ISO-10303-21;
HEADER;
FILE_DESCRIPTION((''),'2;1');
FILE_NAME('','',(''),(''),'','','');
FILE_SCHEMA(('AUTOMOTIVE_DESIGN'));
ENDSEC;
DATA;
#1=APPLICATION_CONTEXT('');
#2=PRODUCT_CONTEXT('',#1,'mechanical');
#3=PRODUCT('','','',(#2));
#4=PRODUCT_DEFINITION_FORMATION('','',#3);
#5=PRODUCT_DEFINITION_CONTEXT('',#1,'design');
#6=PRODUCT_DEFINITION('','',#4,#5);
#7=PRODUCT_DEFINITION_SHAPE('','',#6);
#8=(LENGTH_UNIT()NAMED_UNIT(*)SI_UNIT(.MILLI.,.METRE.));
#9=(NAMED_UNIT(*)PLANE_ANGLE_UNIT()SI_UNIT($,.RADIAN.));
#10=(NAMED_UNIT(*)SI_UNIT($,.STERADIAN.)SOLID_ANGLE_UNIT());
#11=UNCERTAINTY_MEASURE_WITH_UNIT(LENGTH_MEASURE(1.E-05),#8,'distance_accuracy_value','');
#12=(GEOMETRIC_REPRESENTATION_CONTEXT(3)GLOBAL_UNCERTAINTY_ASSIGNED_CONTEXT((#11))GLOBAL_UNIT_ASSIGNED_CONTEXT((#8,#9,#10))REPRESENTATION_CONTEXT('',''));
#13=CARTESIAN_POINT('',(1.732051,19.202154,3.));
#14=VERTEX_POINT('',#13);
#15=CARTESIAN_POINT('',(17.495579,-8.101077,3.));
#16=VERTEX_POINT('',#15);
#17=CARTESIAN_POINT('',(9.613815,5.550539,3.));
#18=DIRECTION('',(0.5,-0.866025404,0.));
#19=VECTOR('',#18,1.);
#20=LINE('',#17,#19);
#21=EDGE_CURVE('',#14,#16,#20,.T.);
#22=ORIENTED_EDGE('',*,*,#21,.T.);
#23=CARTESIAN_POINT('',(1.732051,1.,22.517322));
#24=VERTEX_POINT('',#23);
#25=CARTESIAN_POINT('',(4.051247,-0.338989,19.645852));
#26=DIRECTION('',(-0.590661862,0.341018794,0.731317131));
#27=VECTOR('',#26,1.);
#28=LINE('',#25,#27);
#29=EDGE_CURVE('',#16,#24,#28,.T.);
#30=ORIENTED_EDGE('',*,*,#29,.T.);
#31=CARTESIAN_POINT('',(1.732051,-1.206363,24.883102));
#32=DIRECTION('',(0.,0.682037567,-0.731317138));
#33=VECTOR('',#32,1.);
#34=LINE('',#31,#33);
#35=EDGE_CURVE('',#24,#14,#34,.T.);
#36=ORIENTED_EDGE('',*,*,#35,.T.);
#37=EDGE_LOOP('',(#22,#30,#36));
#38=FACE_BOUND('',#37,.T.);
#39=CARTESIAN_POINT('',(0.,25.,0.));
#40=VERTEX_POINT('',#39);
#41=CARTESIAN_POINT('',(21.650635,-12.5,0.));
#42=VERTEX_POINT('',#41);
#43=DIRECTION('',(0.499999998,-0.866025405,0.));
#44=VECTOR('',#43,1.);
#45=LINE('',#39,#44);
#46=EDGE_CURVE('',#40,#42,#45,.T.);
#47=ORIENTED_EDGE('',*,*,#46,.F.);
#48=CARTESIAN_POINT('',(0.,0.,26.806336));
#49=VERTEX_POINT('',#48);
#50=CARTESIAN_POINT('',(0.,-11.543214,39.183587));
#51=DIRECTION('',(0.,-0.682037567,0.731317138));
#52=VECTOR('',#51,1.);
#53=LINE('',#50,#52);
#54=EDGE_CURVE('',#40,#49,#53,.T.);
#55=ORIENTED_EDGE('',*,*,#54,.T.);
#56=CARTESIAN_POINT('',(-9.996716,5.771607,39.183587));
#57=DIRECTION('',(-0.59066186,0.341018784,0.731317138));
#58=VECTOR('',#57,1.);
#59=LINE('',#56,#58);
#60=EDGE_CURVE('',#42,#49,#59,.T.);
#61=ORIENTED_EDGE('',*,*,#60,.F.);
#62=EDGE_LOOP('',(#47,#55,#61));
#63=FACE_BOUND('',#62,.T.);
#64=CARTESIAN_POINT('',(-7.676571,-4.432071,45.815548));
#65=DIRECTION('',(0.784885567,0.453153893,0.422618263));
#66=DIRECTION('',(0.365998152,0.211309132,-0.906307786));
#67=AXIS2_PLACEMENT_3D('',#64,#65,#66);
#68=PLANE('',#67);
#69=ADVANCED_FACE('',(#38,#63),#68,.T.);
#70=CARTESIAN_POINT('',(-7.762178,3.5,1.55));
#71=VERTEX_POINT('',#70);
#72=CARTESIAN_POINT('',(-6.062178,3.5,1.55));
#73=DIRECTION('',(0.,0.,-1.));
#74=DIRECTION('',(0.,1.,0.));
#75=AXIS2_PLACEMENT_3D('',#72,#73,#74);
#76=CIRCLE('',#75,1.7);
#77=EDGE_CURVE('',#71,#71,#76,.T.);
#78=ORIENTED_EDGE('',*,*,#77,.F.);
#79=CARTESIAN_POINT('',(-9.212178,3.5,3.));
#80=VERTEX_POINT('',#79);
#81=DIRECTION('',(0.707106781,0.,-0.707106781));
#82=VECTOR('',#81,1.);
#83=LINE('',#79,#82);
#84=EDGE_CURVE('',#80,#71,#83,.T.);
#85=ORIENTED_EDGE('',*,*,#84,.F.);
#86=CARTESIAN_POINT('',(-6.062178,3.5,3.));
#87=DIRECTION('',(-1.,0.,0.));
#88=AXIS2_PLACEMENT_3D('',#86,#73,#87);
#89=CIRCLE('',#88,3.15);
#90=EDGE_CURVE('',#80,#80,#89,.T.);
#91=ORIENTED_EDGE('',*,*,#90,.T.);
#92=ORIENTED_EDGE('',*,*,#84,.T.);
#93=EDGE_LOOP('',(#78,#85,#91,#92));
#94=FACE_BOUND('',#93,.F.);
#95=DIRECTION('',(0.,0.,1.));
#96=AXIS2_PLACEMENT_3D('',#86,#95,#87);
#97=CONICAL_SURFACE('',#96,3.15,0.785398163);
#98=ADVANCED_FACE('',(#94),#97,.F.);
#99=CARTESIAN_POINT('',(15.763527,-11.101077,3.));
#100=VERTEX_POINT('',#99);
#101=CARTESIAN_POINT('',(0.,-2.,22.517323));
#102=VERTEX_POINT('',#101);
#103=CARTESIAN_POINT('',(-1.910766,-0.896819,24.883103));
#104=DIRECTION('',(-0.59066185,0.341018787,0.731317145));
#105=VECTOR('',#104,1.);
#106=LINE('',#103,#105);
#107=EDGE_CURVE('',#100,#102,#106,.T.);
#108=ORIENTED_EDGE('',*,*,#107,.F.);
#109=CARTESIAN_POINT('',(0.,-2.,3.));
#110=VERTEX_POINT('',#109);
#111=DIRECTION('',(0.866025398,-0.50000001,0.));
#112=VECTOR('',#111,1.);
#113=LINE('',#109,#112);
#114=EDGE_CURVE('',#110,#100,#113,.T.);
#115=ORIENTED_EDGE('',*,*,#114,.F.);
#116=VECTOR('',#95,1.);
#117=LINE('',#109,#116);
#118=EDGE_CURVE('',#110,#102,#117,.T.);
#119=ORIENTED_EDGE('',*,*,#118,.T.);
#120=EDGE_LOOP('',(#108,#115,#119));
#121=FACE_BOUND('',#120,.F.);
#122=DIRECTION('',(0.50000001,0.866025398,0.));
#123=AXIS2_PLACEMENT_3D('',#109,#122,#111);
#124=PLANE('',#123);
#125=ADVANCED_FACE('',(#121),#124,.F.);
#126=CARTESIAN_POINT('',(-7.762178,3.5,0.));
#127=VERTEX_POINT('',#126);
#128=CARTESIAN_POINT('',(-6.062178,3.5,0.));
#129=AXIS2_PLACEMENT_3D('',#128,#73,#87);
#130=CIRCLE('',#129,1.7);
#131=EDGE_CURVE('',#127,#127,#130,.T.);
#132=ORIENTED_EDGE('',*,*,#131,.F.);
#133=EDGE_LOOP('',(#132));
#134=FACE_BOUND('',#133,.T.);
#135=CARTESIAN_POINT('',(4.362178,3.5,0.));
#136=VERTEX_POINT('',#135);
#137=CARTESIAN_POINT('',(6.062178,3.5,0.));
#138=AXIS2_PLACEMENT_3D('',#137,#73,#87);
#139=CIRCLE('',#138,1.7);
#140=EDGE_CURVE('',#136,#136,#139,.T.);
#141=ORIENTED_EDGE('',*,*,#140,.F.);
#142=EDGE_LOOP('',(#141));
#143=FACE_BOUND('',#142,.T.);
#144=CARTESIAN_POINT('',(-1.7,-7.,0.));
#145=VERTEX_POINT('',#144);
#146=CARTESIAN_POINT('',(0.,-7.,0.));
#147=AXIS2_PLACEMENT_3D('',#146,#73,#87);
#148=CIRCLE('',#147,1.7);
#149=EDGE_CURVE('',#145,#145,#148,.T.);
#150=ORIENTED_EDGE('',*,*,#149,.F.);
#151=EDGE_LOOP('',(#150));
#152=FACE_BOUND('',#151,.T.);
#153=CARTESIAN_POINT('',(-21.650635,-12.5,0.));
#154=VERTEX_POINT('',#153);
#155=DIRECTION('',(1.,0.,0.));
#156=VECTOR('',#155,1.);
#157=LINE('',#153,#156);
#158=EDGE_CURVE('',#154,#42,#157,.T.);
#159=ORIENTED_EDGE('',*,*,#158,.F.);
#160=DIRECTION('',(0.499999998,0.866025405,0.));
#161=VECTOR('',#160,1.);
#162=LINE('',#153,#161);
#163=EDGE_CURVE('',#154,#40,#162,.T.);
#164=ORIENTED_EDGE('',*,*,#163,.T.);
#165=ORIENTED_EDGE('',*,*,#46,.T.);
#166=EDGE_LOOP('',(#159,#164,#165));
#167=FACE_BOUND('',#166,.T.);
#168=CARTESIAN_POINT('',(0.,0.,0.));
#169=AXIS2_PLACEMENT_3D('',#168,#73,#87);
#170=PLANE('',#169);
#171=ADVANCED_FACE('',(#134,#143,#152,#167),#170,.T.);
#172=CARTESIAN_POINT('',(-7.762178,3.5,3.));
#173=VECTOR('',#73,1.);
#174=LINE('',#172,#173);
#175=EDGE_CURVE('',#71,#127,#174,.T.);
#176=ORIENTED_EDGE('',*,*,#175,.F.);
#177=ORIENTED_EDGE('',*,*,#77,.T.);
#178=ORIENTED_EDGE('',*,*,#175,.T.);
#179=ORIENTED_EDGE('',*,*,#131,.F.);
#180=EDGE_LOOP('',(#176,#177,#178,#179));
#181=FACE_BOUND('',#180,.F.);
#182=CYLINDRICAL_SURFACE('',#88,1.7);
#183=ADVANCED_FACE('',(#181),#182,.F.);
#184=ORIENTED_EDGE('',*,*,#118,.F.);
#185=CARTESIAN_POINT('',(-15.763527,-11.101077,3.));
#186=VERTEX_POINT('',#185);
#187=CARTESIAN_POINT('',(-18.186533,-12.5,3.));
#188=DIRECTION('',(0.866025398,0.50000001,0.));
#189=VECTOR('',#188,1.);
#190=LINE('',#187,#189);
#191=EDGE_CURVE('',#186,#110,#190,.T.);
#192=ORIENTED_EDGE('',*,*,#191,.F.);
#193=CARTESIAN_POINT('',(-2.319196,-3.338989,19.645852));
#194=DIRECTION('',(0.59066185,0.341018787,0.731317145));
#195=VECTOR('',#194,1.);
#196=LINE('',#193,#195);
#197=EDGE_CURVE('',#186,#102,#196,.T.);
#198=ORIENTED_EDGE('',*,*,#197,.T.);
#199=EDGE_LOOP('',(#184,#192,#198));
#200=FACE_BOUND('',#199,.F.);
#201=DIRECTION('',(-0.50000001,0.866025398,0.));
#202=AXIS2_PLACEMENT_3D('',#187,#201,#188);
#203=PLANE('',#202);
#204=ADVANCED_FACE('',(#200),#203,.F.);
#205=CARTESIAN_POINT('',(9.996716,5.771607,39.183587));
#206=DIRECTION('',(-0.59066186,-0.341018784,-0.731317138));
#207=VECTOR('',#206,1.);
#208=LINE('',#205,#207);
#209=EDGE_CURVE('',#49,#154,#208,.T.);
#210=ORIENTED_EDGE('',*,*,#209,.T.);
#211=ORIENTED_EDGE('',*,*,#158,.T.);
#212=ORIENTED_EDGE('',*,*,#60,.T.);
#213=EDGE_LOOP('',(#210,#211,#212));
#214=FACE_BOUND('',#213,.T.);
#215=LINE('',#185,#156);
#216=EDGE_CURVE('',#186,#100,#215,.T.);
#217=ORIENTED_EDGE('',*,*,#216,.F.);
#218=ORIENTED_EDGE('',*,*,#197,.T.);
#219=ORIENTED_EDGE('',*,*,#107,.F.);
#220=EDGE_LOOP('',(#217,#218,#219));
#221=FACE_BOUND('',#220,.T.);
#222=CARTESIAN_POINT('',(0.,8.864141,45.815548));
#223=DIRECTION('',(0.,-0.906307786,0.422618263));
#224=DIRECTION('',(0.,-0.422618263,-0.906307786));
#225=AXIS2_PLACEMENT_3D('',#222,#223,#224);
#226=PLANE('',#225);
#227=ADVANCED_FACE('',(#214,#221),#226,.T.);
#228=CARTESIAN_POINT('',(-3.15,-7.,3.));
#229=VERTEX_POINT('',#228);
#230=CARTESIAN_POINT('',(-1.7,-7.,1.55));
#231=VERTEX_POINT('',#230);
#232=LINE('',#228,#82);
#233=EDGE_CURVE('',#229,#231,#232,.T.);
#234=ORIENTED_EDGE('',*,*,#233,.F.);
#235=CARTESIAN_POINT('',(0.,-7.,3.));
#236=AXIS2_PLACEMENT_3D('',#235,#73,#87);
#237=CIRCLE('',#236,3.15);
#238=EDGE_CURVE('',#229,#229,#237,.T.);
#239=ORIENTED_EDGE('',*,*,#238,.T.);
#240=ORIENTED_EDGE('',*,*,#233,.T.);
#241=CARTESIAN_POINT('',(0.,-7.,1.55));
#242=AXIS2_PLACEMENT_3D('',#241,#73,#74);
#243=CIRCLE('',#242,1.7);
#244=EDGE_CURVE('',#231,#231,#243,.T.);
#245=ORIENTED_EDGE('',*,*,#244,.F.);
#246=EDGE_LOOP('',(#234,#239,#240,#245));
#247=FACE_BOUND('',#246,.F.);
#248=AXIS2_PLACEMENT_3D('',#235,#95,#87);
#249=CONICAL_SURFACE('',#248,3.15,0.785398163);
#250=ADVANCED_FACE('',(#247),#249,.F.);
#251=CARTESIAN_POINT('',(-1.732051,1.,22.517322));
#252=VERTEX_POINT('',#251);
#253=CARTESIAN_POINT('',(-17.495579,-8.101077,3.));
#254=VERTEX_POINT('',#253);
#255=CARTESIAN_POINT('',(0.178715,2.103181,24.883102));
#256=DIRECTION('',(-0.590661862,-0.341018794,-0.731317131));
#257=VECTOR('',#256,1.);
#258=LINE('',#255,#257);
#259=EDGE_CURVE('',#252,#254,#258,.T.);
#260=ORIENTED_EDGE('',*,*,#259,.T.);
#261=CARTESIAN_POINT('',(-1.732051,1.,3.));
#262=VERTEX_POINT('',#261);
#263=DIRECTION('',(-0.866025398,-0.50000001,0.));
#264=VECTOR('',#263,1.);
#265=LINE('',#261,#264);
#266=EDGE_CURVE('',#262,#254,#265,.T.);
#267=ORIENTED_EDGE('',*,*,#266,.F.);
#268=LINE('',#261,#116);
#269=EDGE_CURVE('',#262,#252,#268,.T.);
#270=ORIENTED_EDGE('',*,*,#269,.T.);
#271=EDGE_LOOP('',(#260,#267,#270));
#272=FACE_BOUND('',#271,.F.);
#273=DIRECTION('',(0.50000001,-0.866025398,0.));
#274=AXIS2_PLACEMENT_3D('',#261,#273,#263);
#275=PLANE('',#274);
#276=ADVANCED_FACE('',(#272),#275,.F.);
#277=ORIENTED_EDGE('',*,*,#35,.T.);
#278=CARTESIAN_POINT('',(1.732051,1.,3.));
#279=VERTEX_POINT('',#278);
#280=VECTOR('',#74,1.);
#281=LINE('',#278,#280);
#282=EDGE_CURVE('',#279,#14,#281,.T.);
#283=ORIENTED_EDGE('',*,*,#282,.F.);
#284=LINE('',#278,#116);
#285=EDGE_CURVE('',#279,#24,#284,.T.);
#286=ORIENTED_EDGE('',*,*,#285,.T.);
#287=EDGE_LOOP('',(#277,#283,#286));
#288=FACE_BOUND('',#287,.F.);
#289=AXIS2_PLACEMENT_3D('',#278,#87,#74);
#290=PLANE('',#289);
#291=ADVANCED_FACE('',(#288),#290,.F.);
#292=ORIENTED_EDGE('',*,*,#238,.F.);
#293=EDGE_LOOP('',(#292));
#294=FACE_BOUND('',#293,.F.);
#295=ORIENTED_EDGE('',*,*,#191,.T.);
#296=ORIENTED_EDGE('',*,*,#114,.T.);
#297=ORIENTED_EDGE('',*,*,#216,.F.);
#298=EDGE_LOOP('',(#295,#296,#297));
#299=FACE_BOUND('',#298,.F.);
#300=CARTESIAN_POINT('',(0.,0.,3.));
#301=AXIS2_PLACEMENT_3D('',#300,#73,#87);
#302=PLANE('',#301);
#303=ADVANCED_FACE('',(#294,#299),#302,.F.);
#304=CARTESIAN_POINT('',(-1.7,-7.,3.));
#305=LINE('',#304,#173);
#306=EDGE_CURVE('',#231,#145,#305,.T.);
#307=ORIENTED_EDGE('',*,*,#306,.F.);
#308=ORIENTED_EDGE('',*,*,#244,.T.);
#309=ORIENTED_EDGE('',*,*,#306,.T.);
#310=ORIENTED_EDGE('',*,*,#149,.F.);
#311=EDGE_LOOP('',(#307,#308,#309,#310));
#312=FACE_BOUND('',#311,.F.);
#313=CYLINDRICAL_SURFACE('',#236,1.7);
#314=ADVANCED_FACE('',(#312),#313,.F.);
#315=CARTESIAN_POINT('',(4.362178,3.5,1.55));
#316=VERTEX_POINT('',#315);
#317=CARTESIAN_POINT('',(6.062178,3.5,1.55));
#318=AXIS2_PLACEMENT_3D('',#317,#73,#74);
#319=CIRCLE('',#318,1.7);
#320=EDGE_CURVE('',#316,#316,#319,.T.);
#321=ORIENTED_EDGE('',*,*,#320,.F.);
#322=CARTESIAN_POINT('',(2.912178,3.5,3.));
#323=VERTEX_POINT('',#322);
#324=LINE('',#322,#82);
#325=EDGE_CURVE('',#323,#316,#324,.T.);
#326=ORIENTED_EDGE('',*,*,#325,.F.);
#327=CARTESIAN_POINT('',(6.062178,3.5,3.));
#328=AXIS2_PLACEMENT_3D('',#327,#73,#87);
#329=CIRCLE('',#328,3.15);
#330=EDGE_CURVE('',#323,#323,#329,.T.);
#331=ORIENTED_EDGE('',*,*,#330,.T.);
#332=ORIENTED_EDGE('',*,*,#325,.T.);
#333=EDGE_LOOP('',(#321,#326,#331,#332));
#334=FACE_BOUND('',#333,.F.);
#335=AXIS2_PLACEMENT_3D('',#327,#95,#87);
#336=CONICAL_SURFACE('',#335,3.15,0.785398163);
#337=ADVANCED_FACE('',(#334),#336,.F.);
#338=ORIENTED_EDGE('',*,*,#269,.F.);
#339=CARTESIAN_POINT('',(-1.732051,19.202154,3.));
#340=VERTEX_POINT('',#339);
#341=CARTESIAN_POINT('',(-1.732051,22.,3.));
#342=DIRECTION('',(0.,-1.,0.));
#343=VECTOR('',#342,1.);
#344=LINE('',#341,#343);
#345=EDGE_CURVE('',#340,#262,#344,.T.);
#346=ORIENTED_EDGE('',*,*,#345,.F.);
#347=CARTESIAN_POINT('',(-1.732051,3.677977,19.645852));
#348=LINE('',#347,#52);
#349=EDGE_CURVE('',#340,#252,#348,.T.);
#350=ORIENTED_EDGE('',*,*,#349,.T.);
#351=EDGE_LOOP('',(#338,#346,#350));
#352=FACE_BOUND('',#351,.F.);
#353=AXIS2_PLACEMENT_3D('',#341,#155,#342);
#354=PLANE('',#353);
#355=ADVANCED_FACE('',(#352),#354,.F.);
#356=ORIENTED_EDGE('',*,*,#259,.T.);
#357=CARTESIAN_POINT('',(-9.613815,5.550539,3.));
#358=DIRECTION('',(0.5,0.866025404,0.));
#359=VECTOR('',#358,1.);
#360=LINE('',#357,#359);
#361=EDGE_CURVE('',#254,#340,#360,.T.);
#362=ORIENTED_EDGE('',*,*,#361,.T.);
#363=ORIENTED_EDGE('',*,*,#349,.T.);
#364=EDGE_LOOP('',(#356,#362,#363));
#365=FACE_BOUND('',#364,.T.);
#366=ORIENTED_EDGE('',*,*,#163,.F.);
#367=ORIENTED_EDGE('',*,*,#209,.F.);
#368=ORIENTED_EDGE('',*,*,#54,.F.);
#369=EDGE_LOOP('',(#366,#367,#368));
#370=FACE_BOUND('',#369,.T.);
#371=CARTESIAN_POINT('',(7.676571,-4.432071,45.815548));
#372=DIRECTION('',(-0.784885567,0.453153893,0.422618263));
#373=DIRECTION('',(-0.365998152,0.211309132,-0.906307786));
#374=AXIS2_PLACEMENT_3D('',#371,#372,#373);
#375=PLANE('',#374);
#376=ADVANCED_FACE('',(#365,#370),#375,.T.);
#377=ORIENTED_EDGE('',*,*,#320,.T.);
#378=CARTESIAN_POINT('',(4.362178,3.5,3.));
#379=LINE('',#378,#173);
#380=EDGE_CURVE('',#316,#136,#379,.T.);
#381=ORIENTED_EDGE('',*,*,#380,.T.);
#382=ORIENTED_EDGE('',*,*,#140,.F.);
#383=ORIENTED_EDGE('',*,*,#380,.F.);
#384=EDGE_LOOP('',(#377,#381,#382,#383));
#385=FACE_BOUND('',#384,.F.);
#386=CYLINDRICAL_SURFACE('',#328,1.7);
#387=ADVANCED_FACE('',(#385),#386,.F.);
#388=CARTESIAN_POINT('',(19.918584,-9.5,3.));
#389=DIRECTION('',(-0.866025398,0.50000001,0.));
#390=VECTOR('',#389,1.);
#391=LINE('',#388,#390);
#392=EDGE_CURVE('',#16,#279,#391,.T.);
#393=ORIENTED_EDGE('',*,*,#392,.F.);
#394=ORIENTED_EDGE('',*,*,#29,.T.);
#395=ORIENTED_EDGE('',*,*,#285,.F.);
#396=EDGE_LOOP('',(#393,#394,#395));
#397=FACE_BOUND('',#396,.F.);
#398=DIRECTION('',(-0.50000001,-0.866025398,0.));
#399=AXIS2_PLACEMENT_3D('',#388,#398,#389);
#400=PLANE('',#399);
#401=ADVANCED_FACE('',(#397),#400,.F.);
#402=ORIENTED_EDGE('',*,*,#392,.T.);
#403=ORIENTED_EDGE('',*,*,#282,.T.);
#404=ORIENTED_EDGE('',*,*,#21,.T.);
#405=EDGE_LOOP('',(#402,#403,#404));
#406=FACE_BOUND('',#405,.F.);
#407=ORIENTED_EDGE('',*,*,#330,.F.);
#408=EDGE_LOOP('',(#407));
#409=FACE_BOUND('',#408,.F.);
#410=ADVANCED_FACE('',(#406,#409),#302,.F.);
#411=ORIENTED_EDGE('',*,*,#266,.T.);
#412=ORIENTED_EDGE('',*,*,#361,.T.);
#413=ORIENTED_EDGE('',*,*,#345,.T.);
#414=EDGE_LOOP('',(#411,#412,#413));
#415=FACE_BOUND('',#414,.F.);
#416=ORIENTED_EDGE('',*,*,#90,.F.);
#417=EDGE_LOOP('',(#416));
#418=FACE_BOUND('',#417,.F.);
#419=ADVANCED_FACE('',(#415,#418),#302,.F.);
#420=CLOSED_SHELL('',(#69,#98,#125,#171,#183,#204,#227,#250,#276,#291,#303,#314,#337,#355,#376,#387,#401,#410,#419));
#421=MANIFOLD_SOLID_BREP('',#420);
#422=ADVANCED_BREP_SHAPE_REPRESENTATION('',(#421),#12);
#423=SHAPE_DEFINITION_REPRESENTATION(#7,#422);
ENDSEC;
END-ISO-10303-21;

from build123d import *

# Parameters (mm, degrees)
PAD_DEPTH          = 3
PAD001_DEPTH       = 30
POCKET_DEPTH       = 153.867368
POCKET_DEPTH_BACK  = 153.867368
POLARPATTERN_COUNT = 3
HOLE_D             = 3.4
HOLE_DEPTH         = 25
HOLE_CSINK_D       = 6.3
HOLE_CSINK_ANGLE   = 90


with BuildPart() as part:
    # Sketch → Pad (new body)
    with BuildSketch(Plane.XY):
        Polygon((0, 25), (21.650635, -12.5), (-21.650635, -12.5), align=None)
    extrude(amount=PAD_DEPTH)

    # Sketch001 (on Face5 of Pad) → Pad001 (join)
    with BuildSketch(Plane.XY.offset(3)):
        Polygon((-18.186533, -12.5), (0, -2), (18.186533, -12.5), (21.650635, -12.5), (19.918584, -9.5), (1.732051, 1), (1.732051, 22), (0, 25), (-1.732051, 22), (-1.732051, 1), (-19.918584, -9.5), (-21.650635, -12.5), align=None)
    extrude(amount=PAD001_DEPTH)

    # Sketch002 → Pocket (cut, two sides)
    with BuildSketch(Plane.YZ) as pocket_sk:
        Polygon((-12.5, 0), (-12.5, 45.815548), (8.864141, 45.815548), align=None)
    pocket = extrude(amount=-POCKET_DEPTH, mode=Mode.SUBTRACT) + extrude(pocket_sk.sketch, amount=POCKET_DEPTH_BACK, mode=Mode.SUBTRACT)

    # PolarPattern: Pocket ×3 about axis
    polarpattern_axis = Axis((0, 0, 0), (0, 0, 1))
    for i in range(1, POLARPATTERN_COUNT):
        add(pocket.rotate(polarpattern_axis, i * 360 / POLARPATTERN_COUNT), mode=Mode.SUBTRACT)

    # Hole
    with Locations(Plane.XY.offset(3)):
        with Locations((6.062178, 3.5), (0, -7), (-6.062178, 3.5)):
            CounterSinkHole(HOLE_D / 2, HOLE_CSINK_D / 2, depth=HOLE_DEPTH, counter_sink_angle=HOLE_CSINK_ANGLE)


solid = part.part
